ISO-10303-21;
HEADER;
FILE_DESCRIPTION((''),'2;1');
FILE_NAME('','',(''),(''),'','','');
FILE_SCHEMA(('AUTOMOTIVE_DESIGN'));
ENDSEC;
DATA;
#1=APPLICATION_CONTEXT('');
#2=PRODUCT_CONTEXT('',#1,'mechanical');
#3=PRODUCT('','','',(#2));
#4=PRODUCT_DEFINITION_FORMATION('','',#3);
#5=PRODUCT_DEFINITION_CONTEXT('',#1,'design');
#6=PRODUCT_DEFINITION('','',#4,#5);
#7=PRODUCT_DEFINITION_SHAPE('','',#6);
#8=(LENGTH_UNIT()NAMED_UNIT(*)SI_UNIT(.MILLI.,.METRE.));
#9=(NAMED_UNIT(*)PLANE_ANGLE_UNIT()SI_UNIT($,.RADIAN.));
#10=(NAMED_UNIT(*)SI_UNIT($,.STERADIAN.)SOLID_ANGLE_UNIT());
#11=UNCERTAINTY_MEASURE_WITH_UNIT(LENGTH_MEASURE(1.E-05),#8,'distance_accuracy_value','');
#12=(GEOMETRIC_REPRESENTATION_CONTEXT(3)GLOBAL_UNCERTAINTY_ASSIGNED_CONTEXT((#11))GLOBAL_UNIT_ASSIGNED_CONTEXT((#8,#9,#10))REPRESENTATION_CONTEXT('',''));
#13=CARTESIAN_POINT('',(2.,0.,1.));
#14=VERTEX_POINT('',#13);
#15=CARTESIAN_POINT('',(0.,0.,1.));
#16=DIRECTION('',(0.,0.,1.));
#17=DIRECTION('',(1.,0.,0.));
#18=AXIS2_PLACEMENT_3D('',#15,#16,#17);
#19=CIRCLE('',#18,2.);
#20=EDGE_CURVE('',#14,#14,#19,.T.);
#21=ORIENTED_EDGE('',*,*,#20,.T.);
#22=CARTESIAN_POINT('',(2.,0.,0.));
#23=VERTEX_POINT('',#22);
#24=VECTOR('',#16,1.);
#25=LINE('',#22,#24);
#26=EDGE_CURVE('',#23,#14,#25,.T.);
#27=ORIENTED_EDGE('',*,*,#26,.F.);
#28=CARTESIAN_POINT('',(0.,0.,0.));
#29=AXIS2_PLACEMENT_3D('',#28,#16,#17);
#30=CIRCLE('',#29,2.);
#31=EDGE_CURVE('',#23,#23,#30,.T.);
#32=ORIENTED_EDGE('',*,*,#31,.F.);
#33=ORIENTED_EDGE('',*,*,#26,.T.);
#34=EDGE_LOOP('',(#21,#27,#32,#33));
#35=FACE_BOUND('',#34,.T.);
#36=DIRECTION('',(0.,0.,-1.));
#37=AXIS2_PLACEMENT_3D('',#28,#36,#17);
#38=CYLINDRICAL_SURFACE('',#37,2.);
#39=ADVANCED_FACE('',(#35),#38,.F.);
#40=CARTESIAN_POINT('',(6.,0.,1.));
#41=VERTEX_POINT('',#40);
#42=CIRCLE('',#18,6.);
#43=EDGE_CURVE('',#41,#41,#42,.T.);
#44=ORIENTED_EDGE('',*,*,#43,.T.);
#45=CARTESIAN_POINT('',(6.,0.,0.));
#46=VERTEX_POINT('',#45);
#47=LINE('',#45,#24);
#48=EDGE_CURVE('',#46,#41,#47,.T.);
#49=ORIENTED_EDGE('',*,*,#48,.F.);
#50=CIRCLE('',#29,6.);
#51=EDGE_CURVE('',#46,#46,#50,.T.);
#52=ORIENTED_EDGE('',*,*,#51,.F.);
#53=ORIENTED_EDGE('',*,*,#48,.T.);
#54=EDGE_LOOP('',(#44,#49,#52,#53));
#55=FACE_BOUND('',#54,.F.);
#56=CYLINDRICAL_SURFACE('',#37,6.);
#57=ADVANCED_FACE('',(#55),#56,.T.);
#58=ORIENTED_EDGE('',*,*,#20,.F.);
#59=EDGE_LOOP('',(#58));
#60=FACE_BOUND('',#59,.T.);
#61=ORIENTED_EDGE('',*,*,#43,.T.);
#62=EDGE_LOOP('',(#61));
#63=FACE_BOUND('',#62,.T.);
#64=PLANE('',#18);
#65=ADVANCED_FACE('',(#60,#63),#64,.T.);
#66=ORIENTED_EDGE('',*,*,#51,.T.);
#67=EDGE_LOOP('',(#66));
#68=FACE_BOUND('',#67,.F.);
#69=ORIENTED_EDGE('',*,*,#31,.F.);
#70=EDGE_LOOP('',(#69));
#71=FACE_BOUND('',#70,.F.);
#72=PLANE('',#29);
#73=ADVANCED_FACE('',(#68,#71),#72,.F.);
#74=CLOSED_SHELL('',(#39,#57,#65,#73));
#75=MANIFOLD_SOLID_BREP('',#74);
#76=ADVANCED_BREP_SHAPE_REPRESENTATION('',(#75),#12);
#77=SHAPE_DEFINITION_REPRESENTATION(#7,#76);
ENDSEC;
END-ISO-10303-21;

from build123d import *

# Parameters (mm, degrees)
SZKIC1_R                    = 6
SZKIC1_R_2                  = 2
DODANIE_WYCI_GNI_CIE1_DEPTH = 1


with BuildPart() as part:
    # Szkic1 → Dodanie-wyciągnięcie1 (new body)
    with BuildSketch(Plane.XY):
        Circle(SZKIC1_R)
        Circle(SZKIC1_R_2, mode=Mode.SUBTRACT)
    extrude(amount=DODANIE_WYCI_GNI_CIE1_DEPTH)


solid = part.part
